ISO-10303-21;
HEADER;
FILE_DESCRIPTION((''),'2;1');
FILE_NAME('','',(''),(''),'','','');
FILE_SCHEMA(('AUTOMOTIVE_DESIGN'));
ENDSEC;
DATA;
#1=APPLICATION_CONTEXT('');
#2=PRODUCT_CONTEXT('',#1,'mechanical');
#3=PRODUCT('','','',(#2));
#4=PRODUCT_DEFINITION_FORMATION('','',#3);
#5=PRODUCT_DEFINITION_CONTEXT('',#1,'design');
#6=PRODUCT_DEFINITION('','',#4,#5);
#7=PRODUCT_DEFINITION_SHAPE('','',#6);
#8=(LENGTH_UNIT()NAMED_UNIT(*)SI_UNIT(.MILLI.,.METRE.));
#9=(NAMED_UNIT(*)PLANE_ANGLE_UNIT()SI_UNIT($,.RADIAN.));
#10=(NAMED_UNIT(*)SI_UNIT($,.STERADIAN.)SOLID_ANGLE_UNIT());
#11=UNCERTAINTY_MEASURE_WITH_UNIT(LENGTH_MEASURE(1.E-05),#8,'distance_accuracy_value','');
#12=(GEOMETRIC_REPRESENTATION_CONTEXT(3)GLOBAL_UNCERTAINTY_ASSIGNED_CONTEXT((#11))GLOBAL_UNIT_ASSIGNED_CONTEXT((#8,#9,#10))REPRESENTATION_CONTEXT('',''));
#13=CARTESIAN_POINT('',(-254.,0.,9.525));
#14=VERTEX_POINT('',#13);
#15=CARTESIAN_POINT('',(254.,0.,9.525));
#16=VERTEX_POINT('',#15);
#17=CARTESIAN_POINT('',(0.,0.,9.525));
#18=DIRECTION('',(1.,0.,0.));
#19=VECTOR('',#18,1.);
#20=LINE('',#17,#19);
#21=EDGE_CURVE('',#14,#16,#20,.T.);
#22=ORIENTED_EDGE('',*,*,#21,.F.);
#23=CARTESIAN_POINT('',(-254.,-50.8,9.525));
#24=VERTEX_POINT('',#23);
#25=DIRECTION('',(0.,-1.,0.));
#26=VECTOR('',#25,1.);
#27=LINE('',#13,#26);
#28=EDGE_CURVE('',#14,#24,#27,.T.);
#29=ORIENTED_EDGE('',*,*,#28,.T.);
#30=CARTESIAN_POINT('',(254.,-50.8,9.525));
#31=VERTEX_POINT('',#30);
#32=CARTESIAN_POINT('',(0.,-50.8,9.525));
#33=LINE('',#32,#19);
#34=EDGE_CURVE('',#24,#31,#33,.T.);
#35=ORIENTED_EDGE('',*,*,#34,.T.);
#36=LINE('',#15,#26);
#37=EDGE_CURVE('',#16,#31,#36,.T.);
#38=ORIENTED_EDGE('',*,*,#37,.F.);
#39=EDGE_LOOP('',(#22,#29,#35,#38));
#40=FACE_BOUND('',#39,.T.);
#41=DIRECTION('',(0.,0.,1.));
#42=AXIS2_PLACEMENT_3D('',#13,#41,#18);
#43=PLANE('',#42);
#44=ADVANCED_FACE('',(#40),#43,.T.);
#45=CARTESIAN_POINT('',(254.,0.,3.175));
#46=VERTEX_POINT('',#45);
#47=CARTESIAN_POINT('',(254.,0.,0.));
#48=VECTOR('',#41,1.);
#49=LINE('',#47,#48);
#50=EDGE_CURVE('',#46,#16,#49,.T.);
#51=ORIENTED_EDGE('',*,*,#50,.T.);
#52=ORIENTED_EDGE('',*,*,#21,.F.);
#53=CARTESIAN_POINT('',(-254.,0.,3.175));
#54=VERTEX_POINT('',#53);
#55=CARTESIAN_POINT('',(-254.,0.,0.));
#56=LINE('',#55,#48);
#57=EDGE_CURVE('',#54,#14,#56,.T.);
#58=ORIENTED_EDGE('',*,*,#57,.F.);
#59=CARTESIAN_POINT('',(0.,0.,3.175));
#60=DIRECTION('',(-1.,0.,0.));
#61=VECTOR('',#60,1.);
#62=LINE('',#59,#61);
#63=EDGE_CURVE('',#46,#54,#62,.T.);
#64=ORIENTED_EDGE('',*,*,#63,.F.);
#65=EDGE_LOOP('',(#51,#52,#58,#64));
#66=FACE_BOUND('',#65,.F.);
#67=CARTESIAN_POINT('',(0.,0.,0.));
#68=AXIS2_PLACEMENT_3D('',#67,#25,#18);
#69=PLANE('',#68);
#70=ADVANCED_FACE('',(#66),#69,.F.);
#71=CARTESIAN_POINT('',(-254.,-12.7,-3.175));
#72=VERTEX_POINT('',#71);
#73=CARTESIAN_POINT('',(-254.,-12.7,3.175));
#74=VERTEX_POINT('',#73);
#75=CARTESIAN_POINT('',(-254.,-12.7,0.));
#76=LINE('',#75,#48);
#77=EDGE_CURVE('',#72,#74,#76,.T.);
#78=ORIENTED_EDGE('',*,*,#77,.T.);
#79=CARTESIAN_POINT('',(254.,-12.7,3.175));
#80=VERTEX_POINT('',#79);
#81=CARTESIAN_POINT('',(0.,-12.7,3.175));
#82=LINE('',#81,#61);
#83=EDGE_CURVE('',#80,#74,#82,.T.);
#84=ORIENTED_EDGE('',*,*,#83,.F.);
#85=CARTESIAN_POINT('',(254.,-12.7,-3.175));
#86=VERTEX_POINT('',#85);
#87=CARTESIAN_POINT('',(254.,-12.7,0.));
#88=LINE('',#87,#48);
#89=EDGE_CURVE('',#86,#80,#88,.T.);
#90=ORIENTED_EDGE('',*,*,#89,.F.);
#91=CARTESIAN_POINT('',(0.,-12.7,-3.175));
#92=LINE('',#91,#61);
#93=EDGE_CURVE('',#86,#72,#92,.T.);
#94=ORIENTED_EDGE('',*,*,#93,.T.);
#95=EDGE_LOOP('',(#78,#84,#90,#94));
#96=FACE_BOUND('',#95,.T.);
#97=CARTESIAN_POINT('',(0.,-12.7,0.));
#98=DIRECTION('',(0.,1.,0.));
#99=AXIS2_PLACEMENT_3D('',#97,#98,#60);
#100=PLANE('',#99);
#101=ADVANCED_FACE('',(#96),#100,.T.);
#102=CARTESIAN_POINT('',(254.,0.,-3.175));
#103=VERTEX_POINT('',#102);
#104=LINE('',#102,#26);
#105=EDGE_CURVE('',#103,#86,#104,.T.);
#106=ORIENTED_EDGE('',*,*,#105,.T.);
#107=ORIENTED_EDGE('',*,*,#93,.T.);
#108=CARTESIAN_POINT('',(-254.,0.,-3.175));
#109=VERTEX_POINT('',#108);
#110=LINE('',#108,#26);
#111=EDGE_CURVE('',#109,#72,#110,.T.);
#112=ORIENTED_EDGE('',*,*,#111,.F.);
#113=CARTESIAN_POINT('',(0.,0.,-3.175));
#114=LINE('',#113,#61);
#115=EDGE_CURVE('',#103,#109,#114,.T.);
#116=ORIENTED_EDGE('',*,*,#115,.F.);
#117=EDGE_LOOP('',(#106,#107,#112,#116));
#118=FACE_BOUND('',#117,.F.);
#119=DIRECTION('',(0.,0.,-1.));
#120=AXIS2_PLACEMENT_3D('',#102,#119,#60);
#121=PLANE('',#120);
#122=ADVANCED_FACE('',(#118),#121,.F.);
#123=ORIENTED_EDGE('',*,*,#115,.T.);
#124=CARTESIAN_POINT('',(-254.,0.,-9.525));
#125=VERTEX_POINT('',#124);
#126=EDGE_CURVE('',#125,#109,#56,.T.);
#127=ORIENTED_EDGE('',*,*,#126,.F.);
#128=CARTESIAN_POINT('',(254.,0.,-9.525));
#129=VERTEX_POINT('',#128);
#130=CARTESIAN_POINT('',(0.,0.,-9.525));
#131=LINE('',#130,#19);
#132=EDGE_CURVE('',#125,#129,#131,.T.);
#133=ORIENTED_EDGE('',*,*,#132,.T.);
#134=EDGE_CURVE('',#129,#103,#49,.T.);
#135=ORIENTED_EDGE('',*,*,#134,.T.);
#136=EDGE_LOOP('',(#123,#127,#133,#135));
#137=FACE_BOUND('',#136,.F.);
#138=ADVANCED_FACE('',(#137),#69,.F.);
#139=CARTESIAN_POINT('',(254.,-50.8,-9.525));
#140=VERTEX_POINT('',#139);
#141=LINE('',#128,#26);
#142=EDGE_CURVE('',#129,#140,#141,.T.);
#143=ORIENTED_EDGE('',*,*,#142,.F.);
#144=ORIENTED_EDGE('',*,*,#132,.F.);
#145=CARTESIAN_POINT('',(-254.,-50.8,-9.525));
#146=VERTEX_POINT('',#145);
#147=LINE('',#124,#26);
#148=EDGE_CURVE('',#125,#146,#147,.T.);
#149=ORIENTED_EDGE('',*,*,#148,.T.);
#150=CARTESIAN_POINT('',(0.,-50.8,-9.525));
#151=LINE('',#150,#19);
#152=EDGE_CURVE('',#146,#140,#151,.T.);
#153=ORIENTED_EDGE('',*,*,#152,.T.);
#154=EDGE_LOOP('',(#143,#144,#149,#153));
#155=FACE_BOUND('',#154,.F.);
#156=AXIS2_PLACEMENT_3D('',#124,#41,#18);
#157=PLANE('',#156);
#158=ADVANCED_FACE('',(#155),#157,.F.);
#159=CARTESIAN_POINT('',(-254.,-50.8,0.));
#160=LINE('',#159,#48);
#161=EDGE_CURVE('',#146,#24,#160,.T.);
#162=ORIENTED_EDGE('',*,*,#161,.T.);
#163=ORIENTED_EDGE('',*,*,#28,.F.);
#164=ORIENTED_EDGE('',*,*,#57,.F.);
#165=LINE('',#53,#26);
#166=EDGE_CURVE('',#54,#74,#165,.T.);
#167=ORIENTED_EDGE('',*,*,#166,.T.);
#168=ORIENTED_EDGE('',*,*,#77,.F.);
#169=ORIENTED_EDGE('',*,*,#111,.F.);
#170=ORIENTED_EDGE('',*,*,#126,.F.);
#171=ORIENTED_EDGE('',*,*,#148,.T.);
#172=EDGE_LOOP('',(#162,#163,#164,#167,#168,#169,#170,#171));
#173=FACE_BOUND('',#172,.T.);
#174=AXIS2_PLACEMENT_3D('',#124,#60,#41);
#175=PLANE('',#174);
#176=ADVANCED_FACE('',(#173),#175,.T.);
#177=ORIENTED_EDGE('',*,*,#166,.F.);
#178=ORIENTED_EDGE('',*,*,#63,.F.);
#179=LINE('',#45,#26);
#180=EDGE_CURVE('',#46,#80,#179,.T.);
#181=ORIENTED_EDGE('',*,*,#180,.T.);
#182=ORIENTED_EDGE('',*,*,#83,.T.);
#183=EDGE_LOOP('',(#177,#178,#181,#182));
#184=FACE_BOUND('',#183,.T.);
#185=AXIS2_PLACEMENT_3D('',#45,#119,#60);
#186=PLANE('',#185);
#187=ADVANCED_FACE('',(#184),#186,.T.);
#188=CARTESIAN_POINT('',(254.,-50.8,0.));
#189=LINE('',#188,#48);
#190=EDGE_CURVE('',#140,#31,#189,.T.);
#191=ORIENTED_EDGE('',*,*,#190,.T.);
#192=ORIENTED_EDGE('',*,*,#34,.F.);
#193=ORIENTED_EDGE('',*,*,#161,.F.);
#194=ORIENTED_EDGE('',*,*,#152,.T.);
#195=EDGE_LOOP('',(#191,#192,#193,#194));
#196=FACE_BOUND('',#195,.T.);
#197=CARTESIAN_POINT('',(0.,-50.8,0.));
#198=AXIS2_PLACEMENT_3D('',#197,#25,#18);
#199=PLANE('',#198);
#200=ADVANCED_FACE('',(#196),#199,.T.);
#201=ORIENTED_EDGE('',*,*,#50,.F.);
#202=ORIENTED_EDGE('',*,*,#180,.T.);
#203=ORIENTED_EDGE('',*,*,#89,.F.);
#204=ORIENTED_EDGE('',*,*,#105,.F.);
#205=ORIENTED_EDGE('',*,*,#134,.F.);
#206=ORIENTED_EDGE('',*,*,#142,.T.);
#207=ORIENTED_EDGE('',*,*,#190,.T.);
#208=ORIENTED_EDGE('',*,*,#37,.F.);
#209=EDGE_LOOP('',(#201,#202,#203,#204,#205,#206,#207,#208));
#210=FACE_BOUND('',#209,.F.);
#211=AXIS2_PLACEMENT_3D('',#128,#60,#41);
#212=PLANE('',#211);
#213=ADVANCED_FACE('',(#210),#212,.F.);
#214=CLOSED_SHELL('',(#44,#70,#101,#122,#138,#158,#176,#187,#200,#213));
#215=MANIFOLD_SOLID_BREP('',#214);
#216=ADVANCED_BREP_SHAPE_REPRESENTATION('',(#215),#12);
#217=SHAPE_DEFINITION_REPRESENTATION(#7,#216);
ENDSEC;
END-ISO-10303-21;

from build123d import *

# Parameters (mm, degrees)
F0_W     = 508
F0_H     = 19.05
F1_DEPTH = 50.8
F2_W     = 508
F2_H     = 6.35
F3_DEPTH = 12.7


with BuildPart() as f1:
    # F0 (on Front) → F1 (new body)
    with BuildSketch(Plane.XZ):
        Rectangle(F0_W, F0_H)
    extrude(amount=F1_DEPTH)

    # F2 (on face) → F3 (cut)
    with BuildSketch(Plane(origin=(0, 0, 0), x_dir=(-1, 0, 0), z_dir=(0, 1, 0))):
        Rectangle(F2_W, F2_H)
    extrude(amount=-F3_DEPTH, mode=Mode.SUBTRACT)


solid = f1.part
